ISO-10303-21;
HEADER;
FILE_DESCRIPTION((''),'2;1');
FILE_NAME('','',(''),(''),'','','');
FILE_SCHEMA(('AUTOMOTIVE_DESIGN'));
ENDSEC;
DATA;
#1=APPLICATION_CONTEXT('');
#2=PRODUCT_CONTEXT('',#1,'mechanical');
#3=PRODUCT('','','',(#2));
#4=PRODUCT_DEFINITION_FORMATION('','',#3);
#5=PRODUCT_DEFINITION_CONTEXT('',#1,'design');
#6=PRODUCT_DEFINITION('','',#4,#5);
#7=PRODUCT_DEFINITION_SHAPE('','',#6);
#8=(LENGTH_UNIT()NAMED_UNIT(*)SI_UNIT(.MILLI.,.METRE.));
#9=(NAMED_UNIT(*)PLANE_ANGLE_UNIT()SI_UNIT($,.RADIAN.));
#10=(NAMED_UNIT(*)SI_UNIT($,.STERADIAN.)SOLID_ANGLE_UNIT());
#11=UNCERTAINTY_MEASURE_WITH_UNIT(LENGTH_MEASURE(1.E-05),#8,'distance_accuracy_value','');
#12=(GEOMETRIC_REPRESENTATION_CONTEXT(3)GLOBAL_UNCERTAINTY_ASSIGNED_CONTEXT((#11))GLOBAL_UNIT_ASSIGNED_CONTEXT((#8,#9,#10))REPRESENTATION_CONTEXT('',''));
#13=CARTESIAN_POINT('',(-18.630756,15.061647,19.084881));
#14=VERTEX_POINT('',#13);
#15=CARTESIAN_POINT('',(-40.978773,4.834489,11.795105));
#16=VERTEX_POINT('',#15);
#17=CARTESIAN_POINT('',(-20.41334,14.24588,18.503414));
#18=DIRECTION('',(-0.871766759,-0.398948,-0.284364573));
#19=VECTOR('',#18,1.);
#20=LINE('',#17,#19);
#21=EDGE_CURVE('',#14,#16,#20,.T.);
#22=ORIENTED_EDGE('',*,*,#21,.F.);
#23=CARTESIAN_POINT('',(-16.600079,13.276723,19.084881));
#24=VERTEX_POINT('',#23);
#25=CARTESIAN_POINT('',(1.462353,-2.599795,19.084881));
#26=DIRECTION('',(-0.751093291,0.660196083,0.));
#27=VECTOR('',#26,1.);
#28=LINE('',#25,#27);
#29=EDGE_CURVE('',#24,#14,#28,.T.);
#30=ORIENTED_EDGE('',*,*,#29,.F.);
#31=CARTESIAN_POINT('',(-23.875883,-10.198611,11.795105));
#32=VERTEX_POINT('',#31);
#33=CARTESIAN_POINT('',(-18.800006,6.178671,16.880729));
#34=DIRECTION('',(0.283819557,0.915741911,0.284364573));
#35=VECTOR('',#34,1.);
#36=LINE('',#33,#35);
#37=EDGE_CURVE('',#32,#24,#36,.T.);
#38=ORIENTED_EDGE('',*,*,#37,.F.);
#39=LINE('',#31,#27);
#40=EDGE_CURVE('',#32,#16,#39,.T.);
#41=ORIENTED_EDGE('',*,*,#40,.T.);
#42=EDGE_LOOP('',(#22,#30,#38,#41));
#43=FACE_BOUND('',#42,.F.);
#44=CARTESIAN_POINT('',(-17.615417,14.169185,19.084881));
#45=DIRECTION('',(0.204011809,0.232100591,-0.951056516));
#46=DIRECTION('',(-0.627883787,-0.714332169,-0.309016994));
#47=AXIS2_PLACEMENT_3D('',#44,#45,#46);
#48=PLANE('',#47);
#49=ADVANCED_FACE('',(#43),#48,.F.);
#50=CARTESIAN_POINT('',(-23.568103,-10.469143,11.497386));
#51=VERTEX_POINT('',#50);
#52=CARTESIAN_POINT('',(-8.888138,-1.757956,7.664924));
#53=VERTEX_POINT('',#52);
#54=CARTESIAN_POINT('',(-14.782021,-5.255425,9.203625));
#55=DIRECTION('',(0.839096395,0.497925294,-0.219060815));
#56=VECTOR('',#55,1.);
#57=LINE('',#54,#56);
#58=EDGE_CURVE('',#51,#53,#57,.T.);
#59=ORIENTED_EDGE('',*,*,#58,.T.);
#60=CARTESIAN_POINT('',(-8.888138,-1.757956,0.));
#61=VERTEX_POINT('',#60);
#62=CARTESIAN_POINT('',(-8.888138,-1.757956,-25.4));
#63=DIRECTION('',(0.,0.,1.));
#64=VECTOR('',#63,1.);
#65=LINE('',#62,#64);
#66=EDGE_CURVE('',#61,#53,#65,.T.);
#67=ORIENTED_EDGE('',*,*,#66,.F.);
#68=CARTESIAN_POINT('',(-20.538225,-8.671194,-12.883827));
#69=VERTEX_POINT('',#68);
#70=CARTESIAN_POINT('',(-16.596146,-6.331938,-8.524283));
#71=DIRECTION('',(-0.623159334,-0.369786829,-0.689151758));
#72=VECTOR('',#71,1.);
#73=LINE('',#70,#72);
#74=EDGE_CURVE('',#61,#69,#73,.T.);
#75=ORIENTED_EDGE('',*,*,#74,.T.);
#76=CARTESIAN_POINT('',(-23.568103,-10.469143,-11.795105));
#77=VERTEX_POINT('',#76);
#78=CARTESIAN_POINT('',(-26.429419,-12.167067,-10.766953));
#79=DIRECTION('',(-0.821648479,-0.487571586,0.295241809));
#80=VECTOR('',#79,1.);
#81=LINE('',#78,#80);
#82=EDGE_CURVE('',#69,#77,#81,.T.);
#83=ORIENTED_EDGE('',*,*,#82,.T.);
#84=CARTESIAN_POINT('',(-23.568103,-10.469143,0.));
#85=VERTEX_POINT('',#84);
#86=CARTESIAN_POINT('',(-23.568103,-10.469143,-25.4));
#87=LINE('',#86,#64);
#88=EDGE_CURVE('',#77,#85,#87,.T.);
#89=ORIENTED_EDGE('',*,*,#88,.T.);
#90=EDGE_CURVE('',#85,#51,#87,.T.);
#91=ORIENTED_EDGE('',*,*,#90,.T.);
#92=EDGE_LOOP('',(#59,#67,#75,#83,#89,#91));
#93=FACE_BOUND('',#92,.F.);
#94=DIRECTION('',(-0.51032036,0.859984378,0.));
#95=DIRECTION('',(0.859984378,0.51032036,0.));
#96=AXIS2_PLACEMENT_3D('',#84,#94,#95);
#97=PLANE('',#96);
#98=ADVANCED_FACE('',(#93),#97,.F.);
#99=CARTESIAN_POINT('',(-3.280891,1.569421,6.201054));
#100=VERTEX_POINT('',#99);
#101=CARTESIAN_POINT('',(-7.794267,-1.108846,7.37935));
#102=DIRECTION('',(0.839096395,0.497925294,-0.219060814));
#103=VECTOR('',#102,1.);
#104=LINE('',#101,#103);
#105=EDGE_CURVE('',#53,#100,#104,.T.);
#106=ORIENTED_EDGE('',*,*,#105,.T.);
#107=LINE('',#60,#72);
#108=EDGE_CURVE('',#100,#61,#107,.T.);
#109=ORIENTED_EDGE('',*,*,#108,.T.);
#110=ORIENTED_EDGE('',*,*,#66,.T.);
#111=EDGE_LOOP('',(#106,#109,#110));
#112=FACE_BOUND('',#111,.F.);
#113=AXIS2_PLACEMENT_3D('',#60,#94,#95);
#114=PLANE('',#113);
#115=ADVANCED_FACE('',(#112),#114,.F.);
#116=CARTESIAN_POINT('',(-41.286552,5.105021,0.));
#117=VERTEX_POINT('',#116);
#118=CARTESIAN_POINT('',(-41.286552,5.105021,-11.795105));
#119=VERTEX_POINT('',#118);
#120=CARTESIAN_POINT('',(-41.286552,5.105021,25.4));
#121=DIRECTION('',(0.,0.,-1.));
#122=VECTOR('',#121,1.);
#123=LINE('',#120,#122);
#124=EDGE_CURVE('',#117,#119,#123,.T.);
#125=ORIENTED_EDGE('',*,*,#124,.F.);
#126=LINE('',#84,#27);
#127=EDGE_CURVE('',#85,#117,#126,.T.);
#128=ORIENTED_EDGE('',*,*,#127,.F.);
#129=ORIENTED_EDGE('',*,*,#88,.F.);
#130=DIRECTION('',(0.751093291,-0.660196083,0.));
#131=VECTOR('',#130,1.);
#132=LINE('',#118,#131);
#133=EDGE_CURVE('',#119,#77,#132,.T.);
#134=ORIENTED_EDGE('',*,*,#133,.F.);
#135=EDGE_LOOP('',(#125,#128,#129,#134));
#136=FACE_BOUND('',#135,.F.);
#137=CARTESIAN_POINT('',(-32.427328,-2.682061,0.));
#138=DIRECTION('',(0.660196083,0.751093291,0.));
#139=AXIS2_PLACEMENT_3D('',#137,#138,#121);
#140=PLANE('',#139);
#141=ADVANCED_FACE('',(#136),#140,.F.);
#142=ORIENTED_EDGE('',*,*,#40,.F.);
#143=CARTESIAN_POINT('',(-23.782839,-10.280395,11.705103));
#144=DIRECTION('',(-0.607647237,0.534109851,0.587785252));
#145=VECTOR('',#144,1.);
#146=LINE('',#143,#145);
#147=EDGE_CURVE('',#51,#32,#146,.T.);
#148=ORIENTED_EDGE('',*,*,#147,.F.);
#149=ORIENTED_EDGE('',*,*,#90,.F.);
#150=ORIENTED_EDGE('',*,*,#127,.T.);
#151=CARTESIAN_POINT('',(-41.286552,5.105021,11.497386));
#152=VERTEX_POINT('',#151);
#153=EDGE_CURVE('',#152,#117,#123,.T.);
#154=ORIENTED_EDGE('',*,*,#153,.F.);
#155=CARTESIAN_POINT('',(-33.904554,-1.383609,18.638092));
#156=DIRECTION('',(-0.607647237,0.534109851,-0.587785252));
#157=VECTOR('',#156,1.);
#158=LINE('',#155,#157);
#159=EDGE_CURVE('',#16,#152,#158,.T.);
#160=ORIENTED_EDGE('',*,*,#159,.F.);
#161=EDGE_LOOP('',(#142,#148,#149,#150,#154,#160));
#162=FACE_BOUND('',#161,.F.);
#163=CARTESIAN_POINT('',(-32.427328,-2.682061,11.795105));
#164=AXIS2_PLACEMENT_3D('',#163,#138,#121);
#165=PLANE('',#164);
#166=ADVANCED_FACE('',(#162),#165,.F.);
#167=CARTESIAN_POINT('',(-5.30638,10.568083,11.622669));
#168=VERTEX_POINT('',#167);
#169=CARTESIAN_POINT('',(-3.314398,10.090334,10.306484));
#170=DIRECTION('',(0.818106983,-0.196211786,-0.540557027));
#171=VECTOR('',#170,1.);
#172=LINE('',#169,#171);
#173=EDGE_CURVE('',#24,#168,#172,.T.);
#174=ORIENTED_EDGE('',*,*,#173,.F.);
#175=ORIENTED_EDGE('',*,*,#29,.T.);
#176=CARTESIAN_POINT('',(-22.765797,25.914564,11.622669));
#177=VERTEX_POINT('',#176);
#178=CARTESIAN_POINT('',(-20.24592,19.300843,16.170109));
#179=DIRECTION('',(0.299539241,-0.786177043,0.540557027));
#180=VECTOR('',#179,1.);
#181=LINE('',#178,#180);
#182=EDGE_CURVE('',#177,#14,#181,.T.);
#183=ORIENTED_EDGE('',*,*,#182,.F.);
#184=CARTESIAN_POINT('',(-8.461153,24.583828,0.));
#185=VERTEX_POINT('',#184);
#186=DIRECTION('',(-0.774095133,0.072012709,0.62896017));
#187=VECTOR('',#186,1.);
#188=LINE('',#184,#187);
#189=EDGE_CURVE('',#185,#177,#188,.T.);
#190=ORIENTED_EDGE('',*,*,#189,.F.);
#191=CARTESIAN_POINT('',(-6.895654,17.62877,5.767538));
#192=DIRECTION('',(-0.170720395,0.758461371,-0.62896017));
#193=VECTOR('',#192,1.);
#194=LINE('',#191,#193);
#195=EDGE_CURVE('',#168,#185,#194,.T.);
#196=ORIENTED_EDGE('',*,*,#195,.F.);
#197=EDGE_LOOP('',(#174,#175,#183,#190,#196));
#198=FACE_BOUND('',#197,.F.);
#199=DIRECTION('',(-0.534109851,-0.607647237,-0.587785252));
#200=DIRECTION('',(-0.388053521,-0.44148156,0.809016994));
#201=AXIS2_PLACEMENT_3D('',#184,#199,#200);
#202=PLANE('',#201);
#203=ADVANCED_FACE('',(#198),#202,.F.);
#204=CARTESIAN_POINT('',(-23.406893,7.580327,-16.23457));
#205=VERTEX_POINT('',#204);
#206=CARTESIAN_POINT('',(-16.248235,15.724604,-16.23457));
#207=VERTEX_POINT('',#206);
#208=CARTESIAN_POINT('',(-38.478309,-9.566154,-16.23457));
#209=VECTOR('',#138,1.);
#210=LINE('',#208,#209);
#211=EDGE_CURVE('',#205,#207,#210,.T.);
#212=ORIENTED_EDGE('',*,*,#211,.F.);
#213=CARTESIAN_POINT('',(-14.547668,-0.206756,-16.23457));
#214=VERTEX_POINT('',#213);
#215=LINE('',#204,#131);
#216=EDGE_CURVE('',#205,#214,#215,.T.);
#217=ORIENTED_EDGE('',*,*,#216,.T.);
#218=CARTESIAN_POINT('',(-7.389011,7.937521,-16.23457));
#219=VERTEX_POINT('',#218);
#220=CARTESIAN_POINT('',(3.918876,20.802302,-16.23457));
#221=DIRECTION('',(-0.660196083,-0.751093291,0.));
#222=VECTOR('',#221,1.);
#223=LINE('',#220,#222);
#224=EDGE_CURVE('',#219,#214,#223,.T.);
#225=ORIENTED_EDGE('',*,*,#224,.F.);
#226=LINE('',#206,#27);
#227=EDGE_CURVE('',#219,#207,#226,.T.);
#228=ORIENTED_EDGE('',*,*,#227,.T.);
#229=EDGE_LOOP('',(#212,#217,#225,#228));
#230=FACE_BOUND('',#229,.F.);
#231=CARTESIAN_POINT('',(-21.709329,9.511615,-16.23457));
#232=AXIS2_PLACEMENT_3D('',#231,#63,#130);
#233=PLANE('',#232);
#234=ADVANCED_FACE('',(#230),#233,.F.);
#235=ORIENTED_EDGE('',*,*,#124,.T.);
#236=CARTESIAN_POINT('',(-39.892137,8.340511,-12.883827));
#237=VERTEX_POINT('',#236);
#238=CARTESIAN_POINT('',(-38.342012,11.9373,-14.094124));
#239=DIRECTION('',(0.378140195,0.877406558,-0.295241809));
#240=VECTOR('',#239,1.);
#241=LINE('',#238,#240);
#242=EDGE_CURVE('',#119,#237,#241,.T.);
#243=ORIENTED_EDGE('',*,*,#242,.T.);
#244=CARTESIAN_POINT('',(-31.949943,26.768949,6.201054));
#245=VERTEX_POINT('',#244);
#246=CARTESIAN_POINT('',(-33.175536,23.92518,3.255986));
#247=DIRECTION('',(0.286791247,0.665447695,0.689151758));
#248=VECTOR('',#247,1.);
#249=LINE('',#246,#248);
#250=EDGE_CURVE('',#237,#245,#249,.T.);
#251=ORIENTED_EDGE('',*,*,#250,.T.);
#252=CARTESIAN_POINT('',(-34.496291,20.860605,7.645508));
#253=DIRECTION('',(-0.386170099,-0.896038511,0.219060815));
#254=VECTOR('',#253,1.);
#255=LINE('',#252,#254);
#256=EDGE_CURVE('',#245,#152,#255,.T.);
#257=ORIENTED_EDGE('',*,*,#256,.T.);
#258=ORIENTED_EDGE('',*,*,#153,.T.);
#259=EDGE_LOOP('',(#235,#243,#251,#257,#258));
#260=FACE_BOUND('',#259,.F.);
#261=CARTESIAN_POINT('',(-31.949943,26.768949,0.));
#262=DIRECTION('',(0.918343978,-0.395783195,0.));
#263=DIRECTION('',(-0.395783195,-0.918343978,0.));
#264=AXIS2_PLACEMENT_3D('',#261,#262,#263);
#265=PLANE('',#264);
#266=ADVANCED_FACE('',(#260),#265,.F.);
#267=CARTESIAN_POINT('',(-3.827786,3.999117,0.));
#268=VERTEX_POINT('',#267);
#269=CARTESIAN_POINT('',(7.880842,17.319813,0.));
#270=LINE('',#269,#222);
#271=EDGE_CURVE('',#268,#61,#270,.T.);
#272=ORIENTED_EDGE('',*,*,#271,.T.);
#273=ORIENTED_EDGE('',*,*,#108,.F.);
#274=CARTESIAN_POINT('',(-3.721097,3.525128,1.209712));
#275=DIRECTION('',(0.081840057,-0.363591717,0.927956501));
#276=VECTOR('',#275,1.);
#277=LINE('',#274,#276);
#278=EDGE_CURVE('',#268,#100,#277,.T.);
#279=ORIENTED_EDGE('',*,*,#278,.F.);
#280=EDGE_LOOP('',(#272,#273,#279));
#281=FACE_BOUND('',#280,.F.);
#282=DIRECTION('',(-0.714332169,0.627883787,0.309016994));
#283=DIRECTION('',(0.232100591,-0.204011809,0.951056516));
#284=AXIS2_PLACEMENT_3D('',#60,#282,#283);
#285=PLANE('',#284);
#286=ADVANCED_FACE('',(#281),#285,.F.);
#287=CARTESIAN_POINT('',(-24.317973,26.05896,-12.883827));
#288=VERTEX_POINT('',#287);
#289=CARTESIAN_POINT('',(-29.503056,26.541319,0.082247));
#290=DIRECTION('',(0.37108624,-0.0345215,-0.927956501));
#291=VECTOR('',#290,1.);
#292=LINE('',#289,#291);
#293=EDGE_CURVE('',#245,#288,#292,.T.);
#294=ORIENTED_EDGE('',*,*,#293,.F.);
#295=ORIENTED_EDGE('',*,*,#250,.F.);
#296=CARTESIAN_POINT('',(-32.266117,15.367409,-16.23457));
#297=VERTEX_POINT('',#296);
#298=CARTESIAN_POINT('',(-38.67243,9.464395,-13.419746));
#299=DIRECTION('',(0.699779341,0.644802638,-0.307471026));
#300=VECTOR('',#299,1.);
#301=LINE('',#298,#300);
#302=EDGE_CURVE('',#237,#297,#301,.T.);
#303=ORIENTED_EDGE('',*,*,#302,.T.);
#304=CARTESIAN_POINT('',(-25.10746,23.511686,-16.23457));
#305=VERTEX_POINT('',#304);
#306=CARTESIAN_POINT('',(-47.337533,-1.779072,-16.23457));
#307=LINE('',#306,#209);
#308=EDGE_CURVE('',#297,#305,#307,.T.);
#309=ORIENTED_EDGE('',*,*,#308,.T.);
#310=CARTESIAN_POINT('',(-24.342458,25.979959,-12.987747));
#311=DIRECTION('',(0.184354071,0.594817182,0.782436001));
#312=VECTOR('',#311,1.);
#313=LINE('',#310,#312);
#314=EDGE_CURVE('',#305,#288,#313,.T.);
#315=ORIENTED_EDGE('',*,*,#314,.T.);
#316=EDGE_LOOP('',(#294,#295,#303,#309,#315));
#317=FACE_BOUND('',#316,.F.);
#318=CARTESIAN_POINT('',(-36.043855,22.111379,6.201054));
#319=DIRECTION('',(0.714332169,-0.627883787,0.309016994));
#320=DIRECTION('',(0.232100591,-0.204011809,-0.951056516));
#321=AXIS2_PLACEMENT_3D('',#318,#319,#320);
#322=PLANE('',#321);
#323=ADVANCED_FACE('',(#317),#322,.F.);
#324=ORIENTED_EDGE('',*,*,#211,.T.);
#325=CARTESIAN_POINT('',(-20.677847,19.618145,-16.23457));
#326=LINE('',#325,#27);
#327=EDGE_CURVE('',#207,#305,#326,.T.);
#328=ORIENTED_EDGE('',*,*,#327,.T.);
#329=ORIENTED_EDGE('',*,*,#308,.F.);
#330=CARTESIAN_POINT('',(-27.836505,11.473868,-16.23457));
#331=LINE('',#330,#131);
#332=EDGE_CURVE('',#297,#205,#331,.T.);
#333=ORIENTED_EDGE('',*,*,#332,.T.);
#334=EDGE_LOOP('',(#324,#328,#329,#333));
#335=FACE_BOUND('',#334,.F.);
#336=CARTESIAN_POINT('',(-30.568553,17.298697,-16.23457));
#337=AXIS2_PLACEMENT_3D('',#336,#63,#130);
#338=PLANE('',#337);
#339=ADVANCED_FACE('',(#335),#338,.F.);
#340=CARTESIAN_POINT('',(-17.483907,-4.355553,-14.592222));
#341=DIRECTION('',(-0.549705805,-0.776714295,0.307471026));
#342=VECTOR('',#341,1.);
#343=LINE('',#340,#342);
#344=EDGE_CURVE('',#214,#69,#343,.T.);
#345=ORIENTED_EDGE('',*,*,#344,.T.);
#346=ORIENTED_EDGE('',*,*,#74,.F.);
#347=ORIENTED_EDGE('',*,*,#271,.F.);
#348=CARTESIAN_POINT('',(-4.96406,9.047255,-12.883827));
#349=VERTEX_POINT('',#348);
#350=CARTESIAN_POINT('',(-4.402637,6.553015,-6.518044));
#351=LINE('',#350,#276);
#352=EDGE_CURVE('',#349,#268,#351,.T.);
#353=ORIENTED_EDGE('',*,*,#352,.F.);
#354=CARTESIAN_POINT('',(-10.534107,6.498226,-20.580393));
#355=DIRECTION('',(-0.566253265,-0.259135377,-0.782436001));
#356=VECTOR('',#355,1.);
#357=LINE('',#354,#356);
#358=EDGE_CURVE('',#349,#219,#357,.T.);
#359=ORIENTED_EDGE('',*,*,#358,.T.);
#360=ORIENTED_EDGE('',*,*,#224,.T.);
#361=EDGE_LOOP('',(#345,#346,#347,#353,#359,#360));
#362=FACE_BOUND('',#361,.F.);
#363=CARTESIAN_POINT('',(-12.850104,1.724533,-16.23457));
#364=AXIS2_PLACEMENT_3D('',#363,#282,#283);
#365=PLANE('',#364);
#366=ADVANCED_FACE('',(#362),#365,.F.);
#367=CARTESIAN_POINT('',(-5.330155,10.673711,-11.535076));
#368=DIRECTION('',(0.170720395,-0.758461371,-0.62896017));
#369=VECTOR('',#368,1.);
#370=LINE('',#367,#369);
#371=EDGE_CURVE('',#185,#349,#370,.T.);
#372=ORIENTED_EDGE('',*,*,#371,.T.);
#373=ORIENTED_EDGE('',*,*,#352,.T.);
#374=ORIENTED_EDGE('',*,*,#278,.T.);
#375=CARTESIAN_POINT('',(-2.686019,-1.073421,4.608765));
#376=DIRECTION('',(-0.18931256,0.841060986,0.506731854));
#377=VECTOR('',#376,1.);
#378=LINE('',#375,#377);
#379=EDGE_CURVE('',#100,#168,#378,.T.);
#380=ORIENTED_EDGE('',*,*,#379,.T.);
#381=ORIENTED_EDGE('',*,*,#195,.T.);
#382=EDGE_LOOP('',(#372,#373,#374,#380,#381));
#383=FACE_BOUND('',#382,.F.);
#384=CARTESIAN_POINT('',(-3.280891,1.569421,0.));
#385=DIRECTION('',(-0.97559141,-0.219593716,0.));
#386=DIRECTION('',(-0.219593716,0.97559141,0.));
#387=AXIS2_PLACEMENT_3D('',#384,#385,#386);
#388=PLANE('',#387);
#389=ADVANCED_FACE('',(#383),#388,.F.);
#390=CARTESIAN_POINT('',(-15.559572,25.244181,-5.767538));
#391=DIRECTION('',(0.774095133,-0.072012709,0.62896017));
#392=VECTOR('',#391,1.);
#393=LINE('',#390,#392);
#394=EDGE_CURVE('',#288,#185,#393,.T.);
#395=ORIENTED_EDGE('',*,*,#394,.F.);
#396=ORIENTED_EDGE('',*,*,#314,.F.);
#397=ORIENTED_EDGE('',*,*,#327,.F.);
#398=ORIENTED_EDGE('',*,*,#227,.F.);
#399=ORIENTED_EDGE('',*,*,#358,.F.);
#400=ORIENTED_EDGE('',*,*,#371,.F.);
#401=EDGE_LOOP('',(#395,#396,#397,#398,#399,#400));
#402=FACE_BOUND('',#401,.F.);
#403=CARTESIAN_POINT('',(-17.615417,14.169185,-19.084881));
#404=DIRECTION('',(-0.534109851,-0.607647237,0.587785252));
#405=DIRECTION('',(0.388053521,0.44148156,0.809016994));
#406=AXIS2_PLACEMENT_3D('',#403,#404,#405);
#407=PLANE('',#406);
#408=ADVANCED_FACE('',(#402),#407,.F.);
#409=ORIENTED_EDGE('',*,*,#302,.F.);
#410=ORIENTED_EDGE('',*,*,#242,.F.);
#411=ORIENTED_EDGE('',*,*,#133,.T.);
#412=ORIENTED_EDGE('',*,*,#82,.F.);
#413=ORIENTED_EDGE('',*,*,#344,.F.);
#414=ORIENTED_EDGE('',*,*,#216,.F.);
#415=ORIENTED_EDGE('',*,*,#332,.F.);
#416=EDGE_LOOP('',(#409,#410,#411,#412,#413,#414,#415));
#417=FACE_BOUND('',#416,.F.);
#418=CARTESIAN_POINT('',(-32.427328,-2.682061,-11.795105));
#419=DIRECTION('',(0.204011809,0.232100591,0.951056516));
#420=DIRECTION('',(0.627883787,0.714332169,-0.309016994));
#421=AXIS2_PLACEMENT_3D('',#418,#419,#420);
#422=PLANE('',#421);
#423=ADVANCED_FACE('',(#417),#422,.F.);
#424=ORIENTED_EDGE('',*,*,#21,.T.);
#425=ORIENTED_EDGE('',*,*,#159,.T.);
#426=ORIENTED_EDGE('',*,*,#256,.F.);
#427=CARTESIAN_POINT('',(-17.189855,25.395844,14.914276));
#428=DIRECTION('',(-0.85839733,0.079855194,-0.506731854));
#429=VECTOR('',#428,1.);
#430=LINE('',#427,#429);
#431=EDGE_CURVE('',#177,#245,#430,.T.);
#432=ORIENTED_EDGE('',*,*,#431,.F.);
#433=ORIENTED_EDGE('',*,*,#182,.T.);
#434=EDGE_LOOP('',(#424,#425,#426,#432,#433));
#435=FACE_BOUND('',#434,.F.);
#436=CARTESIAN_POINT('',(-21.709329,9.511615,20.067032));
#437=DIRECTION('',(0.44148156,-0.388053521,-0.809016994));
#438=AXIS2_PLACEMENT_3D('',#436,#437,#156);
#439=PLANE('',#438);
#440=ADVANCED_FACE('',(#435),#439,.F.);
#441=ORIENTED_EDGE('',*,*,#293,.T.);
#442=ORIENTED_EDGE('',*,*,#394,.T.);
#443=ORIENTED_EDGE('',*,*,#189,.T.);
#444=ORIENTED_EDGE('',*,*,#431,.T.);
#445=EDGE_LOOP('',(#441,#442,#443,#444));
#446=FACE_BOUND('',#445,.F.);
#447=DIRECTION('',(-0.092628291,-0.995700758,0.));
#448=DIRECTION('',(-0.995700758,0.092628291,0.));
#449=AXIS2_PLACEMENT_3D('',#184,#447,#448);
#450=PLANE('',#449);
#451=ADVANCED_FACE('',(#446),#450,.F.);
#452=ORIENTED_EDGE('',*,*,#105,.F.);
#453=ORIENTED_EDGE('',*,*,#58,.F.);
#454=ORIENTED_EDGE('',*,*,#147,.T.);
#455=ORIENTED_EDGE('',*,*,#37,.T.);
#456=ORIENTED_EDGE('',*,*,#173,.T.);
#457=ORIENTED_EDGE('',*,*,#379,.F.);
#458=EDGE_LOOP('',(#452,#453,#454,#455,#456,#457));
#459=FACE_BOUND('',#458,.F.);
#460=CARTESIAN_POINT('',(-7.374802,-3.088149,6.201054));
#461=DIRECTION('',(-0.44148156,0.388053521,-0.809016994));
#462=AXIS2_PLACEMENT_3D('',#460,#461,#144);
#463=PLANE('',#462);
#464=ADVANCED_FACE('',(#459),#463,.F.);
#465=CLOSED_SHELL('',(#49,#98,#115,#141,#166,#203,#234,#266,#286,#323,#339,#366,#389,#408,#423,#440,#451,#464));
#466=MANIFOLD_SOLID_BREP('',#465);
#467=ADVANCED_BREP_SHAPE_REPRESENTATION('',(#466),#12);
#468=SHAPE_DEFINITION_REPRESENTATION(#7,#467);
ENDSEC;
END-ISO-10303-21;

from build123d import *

# Parameters (mm, degrees)
F1_DEPTH = 25.4
F2_DEPTH = 25.4
F3_COUNT = 2
F3_ANGLE = 90
F4_COUNT = 2
F4_ANGLE = 90


with BuildPart() as f1:
    # F0 (on Top) → F1 (new body)
    with BuildSketch(Plane.XY):
        Polygon((-23.5681033644, -10.4691434878), (-8.8881384679, -1.757956216), (-21.7093285173, 9.5116151497), (-32.4273278005, -2.6820611935), align=None)
        Polygon((-8.8881384679, -1.757956216), (-3.2808908311, 1.5694212395), (-8.4611528206, 24.5838280055), (-21.7093285173, 9.5116151497), align=None)
        Polygon((-32.4273278005, -2.6820611935), (-21.7093285173, 9.5116151497), (-34.5305185668, 20.7811865153), (-41.2865522365, 5.1050211008), align=None)
        Polygon((-21.7093285173, 9.5116151497), (-8.4611528206, 24.5838280055), (-31.9499433341, 26.7689488904), (-34.5305185668, 20.7811865153), align=None)
    extrude(amount=-F1_DEPTH)

    # F2 (add): a face of the model
    f2_faces = [f1.faces().sort_by_distance(p)[0] for p in [
        (-21.7093285173, 9.5116151497, 0),
    ]]
    extrude(f2_faces, amount=F2_DEPTH)


with BuildPart() as f3_1:
    # F3: instance of F1
    add(f1.part.rotate(Axis((-20.8140740816, 10.5301301305, 0), (0.6601960829, 0.7510932913, 0)), 1 * F3_ANGLE / (F3_COUNT - 1)))


with BuildPart() as f4_1:
    # F4: instance of F1
    add(f1.part.rotate(Axis((-21.7093285173, 9.5116151497, 0), (0.7510932913, -0.6601960829, 0)), 1 * F4_ANGLE / (F4_COUNT - 1)))


with BuildPart() as f3_1_1:
    add(f3_1.part)

    # F5: intersect F4_1, F1
    add(f4_1.part, mode=Mode.INTERSECT)
    add(f1.part, mode=Mode.INTERSECT)


solid = f3_1_1.part
